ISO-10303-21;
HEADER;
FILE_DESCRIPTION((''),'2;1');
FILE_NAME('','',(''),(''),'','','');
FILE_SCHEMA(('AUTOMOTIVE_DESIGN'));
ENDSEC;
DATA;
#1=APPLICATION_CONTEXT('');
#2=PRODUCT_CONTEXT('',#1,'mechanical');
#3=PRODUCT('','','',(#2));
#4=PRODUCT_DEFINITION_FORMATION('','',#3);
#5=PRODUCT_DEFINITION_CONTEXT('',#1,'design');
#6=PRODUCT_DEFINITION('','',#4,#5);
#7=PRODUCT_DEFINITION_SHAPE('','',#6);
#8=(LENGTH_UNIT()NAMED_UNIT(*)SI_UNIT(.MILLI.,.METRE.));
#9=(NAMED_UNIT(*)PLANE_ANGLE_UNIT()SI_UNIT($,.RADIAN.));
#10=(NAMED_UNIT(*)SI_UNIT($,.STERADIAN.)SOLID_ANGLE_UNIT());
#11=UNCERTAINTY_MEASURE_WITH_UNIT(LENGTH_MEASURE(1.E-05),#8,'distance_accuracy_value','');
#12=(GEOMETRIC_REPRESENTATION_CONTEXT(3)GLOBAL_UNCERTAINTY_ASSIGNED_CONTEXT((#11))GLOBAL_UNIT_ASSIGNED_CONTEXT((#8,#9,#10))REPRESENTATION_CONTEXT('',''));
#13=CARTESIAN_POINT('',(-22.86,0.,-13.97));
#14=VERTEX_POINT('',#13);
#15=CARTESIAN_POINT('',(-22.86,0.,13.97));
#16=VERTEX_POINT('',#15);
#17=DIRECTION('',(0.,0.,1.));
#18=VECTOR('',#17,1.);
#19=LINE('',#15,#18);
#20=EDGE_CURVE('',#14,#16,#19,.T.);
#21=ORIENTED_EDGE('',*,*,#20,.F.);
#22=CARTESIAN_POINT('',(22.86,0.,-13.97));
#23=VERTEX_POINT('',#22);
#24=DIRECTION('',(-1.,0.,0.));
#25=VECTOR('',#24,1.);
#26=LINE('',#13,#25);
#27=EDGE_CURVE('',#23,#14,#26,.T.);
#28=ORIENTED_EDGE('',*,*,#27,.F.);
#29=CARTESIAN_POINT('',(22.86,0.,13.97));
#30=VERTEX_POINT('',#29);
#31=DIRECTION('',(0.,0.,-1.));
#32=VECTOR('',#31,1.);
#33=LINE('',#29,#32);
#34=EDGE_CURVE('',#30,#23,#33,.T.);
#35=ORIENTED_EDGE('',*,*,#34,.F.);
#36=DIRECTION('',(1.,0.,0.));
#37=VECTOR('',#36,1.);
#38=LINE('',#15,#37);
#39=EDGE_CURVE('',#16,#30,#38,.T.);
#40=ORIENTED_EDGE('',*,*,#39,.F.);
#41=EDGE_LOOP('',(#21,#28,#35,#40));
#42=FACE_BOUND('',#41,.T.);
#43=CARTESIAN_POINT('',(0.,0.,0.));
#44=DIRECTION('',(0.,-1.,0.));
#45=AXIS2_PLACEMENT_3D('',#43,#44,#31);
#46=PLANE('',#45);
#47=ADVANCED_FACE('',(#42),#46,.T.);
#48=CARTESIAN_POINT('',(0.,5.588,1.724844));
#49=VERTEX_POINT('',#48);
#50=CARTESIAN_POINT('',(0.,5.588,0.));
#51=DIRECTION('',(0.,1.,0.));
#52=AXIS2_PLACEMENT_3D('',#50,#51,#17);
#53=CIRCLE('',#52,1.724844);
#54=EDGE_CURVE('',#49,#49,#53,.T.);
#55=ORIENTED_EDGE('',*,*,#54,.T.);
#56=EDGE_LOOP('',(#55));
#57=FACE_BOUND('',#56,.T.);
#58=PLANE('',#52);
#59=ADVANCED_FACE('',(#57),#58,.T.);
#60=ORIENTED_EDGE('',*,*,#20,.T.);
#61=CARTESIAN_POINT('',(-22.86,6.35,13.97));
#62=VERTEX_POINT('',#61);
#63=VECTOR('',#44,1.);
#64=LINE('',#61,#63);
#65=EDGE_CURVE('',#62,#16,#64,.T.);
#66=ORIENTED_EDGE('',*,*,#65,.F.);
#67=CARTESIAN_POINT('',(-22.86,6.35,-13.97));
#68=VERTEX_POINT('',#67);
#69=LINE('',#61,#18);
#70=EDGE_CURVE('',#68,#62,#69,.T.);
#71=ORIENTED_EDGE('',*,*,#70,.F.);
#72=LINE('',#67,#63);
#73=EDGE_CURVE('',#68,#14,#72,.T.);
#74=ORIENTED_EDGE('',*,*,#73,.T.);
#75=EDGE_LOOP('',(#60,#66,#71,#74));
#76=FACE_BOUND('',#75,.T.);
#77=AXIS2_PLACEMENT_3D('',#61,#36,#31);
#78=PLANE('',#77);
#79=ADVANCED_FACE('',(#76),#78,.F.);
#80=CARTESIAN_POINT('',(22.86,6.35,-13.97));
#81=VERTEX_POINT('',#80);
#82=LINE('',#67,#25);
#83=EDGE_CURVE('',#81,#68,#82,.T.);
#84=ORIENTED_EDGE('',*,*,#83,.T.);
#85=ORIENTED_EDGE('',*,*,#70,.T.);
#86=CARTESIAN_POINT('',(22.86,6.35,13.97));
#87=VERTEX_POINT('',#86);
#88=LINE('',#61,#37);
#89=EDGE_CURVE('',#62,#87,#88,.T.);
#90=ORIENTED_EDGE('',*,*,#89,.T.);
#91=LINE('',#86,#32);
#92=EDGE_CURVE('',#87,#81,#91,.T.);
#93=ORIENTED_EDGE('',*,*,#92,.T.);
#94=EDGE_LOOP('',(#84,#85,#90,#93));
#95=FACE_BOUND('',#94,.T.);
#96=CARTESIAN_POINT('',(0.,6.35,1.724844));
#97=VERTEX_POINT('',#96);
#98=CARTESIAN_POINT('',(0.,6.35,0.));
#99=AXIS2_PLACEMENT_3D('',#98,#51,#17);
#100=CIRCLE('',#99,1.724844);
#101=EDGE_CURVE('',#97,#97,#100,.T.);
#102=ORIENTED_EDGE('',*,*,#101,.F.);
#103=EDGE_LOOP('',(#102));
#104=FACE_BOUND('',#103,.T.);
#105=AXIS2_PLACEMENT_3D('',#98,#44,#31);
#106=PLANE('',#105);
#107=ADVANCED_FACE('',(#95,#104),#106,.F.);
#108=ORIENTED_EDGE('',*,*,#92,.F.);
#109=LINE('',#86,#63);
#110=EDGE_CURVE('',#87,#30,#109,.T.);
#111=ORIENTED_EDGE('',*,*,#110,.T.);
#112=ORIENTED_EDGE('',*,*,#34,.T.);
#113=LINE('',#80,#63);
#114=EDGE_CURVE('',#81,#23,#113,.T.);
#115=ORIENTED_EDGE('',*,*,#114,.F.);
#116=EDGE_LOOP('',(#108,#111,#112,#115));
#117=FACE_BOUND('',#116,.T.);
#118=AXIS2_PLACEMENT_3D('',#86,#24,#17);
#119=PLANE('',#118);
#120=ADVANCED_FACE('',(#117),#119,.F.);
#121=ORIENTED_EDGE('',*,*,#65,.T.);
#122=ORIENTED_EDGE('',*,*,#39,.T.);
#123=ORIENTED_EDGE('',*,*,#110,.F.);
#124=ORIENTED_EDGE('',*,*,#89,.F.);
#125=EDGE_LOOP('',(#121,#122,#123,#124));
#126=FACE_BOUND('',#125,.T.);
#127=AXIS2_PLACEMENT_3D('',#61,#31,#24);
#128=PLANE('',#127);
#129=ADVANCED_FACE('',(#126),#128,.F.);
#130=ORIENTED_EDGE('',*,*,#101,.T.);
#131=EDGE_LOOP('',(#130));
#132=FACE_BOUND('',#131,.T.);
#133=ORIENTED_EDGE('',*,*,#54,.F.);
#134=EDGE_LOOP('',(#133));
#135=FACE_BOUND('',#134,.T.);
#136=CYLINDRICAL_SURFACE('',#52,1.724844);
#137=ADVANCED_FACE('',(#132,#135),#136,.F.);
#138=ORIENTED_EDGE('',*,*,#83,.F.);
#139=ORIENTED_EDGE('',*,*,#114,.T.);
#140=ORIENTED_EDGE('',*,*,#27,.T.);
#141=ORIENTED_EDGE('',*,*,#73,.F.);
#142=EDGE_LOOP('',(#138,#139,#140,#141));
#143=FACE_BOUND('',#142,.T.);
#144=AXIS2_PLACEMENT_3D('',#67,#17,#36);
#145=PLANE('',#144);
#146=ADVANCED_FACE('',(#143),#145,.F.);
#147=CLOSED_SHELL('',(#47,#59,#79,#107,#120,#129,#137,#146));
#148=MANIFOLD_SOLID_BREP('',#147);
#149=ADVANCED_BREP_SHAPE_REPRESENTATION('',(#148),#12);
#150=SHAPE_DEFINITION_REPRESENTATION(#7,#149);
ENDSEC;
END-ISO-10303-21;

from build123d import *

# Parameters (mm, degrees)
SKETCH1_W           = 45.72
SKETCH1_H           = 27.94
BOSS_EXTRUDE1_DEPTH = 6.35
SKETCH2_R           = 1.724843726
CUT_EXTRUDE1_DEPTH  = 0.762


with BuildPart() as part:
    # Sketch1 → Boss-Extrude1 (new body)
    with BuildSketch(Plane(origin=(0, 0, 0), x_dir=(1, 0, 0), z_dir=(0, 1, 0))):
        Rectangle(SKETCH1_W, SKETCH1_H)
    extrude(amount=BOSS_EXTRUDE1_DEPTH)

    # Sketch2 → Cut-Extrude1 (cut)
    with BuildSketch(Plane(origin=(0, 6.35, 0), x_dir=(1, 0, 0), z_dir=(0, 1, 0))):
        Circle(SKETCH2_R)
    extrude(amount=-CUT_EXTRUDE1_DEPTH, mode=Mode.SUBTRACT)


solid = part.part
